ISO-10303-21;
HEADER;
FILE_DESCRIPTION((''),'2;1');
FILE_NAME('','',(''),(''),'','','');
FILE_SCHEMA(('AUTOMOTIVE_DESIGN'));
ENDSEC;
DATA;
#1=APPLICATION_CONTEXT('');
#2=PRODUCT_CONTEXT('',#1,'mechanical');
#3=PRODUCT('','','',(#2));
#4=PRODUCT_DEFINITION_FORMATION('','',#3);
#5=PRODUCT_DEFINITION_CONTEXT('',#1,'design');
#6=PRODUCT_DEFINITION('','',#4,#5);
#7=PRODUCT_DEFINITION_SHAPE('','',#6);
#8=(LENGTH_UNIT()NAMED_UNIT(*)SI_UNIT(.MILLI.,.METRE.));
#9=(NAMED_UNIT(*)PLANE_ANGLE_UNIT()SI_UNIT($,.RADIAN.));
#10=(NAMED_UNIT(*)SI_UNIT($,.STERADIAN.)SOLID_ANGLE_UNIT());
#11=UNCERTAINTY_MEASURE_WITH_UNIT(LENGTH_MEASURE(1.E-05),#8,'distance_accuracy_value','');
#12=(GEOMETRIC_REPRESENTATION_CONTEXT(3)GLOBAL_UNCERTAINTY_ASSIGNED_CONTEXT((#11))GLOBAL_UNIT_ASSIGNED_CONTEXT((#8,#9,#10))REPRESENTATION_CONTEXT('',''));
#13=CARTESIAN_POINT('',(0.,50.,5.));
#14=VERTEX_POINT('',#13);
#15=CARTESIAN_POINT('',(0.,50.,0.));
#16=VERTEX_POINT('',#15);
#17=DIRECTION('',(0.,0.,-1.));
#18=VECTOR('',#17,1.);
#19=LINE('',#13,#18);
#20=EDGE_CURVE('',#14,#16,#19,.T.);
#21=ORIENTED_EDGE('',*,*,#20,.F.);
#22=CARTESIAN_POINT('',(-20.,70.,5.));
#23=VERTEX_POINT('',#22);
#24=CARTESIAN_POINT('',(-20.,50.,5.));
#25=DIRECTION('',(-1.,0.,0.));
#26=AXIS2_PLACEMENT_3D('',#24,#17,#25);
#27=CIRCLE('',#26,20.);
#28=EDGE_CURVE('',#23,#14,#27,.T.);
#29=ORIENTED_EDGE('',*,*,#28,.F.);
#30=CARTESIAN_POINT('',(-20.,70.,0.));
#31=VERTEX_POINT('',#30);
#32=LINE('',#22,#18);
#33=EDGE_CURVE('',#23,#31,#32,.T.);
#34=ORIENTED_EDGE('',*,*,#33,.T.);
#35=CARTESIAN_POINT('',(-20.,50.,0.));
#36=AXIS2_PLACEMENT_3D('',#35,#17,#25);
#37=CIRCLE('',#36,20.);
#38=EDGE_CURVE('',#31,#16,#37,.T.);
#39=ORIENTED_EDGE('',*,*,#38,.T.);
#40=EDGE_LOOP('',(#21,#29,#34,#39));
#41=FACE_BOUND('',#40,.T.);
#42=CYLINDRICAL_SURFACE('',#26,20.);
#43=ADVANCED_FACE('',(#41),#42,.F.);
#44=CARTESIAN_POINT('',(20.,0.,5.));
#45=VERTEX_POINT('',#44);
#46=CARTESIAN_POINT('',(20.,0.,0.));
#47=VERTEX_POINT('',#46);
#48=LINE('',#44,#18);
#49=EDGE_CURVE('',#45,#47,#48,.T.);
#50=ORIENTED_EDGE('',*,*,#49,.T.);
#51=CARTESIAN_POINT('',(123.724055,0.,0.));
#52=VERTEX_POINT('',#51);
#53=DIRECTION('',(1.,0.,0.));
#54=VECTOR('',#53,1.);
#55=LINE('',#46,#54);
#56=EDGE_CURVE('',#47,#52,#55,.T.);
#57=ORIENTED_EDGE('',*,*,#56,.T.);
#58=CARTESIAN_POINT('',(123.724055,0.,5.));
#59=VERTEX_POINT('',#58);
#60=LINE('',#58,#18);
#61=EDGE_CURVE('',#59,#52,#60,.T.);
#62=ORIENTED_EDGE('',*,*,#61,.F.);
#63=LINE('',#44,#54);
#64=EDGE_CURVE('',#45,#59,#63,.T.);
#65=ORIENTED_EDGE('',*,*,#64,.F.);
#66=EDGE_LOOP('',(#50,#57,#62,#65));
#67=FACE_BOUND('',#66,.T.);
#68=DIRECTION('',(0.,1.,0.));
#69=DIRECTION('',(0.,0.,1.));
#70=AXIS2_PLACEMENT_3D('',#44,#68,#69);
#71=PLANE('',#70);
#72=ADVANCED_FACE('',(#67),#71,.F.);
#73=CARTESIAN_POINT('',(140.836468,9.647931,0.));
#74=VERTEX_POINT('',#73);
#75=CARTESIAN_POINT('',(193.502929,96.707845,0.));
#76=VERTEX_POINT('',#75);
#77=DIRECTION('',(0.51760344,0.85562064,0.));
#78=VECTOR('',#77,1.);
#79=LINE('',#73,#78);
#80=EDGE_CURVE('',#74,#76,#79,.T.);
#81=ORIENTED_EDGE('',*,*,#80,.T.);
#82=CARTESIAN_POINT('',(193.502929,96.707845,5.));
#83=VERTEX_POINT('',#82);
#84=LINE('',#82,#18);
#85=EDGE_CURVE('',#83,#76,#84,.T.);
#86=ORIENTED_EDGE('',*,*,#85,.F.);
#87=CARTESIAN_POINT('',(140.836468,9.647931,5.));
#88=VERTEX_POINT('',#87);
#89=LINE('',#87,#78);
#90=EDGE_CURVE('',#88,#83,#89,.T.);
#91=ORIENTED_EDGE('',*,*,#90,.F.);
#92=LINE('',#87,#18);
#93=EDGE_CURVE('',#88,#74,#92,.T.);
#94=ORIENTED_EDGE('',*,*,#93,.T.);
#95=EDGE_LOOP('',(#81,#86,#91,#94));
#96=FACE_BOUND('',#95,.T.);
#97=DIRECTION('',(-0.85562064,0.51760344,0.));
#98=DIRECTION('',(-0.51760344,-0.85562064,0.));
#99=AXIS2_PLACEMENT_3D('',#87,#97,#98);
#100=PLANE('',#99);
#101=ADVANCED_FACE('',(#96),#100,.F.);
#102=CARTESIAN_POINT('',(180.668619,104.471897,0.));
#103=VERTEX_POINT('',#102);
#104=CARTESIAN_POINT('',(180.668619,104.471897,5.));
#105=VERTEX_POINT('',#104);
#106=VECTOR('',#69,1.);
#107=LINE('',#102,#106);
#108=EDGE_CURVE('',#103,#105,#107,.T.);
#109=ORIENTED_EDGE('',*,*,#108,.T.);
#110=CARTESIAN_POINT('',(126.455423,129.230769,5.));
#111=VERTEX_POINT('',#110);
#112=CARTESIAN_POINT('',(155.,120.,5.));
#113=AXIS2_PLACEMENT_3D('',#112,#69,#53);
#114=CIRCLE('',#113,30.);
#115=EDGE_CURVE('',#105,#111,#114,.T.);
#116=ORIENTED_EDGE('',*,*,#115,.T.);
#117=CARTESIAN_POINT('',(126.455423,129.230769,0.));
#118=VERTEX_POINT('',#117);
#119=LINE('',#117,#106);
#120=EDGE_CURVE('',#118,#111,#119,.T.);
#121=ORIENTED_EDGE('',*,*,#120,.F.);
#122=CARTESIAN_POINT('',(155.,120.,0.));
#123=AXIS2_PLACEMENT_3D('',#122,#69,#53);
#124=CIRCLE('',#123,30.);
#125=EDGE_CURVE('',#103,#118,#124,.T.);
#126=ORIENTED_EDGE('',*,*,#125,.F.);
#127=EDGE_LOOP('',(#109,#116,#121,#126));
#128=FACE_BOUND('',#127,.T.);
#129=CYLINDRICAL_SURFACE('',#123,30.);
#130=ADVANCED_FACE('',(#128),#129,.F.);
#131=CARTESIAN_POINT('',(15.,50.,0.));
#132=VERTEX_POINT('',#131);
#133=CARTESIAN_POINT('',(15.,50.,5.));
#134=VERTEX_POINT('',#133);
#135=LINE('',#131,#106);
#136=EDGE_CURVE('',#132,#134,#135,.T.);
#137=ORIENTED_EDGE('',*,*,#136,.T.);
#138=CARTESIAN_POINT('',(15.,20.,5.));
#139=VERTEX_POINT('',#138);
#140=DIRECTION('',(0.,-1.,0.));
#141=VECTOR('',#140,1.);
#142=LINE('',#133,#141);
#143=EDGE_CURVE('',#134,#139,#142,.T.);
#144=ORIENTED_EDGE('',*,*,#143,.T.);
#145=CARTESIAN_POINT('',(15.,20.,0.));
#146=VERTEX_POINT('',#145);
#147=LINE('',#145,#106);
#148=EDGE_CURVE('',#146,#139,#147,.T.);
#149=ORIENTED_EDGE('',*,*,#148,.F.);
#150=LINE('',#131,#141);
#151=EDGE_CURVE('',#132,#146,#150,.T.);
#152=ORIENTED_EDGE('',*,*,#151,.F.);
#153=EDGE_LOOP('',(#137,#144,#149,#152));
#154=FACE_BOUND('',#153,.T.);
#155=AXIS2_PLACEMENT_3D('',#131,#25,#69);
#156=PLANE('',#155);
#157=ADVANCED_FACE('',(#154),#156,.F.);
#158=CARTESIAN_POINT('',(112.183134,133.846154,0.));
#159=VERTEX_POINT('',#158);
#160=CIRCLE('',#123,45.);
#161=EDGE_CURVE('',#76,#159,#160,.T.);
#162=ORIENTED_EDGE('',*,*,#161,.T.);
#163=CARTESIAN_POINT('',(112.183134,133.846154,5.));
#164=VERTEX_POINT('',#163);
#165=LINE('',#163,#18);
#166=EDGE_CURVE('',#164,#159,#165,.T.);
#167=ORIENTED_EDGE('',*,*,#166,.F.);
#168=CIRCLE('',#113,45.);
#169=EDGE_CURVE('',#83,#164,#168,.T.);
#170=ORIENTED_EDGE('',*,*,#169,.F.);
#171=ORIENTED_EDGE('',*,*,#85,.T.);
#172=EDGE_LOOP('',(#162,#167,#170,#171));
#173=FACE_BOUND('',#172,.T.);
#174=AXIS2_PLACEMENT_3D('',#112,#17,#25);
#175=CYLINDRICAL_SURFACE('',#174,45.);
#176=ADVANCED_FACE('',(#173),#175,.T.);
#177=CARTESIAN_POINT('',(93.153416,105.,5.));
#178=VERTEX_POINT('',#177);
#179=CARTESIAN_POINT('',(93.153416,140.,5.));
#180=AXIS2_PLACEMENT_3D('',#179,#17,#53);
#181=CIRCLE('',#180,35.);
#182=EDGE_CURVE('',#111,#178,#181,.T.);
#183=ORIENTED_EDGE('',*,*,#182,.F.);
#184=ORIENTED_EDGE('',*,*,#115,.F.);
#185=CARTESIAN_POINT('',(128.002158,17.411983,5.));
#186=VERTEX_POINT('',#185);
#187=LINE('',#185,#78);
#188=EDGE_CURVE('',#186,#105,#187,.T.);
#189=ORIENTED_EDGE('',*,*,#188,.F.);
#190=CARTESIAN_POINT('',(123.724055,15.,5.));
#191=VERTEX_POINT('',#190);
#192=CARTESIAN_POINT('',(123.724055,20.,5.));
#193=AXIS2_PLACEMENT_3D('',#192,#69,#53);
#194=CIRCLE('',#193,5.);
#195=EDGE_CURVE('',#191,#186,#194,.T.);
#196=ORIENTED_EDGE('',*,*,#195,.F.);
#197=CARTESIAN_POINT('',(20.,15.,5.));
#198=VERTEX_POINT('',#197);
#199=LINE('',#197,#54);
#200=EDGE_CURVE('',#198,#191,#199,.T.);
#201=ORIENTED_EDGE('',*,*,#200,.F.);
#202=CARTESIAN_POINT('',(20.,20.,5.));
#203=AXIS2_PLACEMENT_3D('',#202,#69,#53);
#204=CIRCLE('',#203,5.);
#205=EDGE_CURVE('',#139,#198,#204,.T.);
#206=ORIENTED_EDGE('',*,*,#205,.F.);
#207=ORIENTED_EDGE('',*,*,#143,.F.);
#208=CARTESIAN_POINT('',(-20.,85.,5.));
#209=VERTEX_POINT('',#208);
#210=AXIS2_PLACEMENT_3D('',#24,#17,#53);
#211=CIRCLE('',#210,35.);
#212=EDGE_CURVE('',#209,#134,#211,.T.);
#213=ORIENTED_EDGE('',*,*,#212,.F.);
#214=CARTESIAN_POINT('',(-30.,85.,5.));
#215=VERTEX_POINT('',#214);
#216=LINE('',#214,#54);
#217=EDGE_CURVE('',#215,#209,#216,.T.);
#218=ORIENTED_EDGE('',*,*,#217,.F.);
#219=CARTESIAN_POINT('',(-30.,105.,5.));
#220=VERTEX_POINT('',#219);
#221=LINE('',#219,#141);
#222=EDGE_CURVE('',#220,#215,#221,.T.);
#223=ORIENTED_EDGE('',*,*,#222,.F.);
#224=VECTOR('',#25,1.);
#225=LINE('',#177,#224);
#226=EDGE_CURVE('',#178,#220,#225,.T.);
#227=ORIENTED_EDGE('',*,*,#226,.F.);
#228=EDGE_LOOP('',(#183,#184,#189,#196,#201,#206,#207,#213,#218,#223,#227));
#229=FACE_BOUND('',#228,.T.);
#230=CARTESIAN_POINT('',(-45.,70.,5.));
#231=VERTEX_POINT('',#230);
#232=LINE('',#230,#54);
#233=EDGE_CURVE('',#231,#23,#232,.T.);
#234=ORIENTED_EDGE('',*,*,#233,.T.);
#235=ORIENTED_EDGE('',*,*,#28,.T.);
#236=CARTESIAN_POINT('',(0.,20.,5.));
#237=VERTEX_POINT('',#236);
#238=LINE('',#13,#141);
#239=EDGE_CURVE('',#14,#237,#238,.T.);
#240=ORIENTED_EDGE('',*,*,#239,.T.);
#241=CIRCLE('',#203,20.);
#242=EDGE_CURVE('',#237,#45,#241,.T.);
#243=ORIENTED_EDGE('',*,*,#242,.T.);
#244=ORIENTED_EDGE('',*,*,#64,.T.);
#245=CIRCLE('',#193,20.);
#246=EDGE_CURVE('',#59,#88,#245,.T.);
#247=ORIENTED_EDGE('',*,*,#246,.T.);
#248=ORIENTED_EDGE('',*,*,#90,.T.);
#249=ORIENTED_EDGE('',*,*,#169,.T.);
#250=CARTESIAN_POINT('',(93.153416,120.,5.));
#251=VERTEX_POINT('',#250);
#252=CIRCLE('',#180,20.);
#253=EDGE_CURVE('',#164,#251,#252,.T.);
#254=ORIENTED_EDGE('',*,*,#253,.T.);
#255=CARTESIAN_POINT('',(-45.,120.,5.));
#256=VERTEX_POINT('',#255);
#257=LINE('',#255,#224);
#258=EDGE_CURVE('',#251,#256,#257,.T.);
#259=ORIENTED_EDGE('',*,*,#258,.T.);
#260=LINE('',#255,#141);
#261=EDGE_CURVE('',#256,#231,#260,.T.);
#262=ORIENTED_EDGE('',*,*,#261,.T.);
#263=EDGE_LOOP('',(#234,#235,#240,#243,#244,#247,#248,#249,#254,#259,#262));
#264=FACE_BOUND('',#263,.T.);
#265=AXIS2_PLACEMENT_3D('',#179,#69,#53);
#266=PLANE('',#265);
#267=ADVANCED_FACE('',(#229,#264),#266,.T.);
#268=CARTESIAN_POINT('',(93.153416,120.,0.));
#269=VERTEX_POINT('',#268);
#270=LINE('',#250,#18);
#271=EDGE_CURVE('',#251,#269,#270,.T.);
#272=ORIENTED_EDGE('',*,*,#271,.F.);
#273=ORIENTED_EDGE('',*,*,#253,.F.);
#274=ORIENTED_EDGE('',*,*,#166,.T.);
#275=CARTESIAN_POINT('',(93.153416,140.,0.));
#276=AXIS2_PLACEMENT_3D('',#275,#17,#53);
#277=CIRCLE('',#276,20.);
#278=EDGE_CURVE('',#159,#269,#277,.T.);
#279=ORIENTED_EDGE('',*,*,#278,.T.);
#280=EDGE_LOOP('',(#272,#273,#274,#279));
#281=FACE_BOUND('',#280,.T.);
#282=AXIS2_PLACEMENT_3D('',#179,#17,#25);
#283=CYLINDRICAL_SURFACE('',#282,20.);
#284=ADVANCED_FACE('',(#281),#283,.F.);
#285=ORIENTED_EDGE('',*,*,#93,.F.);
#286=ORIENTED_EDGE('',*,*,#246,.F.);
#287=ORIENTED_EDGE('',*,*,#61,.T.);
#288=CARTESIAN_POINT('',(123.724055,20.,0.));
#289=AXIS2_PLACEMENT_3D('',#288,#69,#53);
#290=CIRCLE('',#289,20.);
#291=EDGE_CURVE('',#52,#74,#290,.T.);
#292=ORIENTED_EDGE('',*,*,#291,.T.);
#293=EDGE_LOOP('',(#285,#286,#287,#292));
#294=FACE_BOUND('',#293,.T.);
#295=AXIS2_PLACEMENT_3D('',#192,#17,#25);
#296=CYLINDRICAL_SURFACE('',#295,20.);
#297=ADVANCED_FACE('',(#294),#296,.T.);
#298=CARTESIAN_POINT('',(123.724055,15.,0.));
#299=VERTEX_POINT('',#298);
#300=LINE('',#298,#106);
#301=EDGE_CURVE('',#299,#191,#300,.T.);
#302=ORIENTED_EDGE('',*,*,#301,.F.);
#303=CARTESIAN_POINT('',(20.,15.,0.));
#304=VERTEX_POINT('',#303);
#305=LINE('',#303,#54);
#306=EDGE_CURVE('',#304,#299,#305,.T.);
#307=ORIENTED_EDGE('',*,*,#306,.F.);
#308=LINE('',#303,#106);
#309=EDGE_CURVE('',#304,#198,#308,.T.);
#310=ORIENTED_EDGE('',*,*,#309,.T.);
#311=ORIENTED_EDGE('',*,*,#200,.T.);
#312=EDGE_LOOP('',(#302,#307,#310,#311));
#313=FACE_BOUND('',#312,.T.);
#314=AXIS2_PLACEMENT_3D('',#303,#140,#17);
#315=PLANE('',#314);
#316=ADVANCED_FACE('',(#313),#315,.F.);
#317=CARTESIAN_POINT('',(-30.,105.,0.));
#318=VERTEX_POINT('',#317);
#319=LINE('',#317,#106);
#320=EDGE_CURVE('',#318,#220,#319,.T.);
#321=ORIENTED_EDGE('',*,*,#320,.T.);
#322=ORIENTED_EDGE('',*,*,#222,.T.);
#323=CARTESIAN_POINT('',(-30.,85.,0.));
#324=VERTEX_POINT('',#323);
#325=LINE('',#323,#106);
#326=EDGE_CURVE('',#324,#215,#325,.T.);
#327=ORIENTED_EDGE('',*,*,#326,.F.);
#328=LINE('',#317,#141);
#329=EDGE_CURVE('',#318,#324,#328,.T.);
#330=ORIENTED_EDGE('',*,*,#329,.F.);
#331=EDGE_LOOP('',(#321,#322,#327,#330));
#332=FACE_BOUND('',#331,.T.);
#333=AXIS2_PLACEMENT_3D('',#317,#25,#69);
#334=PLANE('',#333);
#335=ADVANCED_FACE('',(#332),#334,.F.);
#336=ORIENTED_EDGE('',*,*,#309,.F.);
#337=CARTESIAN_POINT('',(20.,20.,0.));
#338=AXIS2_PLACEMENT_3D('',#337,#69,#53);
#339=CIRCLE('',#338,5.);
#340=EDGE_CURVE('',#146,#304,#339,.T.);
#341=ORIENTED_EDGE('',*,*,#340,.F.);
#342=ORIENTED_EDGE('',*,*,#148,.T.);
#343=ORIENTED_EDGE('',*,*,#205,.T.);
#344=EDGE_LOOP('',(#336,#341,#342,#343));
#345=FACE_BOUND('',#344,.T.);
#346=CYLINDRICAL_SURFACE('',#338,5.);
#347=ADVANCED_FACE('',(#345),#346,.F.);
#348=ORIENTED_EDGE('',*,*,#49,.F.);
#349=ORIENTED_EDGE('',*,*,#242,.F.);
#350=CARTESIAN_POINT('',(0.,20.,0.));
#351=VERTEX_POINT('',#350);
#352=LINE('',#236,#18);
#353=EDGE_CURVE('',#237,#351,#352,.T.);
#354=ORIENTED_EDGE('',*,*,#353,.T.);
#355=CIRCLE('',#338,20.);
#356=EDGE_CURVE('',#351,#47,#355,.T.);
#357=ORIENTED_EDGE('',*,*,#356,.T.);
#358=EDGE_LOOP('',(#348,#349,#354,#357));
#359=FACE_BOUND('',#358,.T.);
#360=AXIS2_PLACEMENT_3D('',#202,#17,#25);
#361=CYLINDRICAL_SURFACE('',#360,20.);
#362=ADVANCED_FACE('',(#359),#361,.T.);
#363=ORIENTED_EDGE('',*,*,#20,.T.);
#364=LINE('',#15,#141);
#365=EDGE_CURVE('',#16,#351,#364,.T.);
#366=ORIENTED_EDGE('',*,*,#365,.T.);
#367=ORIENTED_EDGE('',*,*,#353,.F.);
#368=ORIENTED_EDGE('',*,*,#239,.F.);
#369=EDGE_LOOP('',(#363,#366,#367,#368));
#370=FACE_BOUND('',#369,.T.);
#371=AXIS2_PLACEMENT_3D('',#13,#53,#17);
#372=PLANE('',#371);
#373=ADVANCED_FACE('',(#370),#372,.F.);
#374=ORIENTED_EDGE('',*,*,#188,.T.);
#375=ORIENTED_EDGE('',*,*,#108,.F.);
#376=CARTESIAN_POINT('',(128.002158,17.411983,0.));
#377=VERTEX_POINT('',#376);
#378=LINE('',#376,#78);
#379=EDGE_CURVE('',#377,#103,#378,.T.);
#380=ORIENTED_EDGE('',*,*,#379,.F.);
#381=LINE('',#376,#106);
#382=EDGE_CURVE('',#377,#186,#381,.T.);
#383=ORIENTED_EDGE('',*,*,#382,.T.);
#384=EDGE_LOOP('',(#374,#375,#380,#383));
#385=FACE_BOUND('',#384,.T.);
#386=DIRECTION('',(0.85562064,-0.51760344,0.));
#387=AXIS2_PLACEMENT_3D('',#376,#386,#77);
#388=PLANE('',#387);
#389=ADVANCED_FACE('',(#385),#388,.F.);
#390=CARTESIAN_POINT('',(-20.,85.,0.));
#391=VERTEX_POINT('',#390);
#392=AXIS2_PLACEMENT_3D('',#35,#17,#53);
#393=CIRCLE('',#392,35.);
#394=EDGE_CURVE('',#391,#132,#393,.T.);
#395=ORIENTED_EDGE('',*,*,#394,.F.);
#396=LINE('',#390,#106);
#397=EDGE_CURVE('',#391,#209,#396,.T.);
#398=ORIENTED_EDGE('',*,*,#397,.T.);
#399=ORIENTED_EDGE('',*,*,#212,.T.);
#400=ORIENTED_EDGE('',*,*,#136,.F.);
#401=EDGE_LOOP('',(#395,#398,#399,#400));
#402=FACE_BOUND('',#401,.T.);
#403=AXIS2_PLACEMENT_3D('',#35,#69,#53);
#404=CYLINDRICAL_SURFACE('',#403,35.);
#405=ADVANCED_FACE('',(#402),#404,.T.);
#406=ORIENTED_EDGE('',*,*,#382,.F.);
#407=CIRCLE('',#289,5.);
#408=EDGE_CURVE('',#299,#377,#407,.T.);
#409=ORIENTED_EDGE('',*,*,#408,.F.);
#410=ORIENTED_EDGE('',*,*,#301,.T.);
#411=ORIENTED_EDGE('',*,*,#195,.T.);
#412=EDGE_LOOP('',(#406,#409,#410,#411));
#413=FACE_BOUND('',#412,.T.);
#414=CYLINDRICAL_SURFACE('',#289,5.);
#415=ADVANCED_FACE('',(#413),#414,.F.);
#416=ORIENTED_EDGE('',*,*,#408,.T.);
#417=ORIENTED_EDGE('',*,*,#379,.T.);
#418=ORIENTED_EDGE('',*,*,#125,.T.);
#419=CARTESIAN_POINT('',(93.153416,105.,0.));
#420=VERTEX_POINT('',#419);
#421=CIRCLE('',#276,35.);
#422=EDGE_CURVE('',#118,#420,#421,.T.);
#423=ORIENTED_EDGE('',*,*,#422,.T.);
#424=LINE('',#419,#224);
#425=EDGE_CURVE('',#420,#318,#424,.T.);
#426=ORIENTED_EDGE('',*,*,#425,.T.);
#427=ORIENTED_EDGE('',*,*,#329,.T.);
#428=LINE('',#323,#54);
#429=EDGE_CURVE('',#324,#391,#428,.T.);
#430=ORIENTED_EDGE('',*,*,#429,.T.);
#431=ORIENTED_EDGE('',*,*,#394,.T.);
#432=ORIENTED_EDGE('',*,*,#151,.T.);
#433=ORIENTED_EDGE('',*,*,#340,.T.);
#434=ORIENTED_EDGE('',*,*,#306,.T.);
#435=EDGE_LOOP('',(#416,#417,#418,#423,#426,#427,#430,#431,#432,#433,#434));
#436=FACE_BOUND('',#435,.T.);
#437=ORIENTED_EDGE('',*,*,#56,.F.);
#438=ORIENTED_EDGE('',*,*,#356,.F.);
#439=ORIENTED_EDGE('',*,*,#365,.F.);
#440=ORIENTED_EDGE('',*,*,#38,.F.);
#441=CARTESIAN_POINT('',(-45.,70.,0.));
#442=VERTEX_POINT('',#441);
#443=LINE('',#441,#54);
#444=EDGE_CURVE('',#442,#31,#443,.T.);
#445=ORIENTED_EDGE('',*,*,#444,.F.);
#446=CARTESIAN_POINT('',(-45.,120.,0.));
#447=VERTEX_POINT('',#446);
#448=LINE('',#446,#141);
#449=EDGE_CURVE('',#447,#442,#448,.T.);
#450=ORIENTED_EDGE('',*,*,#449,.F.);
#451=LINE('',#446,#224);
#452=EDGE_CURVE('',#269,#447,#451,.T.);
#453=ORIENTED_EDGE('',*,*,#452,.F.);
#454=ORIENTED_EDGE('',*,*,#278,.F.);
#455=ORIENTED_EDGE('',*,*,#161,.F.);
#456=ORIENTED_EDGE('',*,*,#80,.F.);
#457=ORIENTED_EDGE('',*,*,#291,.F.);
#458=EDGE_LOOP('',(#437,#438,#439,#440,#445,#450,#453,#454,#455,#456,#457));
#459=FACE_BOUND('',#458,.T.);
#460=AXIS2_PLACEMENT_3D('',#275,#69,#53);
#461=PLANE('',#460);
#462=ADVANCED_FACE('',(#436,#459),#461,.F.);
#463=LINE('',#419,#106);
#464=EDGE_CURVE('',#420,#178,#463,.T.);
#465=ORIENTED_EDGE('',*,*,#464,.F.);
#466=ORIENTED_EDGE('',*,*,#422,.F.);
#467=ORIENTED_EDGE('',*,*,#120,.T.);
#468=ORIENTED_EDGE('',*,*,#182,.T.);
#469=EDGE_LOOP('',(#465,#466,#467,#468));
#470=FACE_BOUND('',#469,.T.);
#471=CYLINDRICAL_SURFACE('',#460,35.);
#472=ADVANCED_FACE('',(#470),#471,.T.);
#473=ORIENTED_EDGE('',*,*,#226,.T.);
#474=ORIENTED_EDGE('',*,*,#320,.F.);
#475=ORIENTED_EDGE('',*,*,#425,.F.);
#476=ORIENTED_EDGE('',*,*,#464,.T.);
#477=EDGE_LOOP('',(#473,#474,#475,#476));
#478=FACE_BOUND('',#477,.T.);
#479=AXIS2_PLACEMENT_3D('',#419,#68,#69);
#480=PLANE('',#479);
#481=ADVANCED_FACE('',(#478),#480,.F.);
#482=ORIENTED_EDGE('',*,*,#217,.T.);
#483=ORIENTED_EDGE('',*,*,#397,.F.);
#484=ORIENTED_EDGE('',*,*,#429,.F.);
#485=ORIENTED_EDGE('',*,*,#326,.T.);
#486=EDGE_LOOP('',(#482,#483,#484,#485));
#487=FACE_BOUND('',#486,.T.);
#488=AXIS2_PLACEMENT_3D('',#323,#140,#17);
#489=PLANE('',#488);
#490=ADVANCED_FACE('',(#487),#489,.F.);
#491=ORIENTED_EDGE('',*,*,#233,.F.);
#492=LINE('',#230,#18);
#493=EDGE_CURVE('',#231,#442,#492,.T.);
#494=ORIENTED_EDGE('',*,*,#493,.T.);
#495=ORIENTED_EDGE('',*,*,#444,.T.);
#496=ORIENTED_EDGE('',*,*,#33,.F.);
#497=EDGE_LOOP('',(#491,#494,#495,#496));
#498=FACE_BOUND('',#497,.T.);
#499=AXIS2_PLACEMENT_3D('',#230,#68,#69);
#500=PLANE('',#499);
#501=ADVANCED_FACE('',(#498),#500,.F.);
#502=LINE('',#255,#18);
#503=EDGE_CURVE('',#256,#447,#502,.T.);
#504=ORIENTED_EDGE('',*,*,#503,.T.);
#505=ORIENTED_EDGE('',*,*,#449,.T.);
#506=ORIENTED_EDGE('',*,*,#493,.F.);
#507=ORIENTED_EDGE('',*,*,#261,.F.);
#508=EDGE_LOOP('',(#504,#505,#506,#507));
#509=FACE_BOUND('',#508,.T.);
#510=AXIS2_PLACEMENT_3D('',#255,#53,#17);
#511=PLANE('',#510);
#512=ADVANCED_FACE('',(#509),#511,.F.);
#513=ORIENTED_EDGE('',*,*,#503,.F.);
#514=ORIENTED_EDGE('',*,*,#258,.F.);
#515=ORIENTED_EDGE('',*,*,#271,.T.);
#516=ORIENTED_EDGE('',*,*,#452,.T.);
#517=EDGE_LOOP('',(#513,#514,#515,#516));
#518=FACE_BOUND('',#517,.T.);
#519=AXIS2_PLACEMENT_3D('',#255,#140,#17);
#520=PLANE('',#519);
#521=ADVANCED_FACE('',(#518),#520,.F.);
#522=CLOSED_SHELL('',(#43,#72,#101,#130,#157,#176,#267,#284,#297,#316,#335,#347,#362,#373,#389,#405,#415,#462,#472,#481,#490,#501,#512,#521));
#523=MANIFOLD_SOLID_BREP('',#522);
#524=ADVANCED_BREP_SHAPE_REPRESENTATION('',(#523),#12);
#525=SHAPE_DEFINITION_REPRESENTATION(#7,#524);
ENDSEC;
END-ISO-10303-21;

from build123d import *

# Parameters (mm, degrees)
BASE_DEPTH         = 5
CUT_EXTRUDE1_DEPTH = 260.326049598


with BuildPart() as part:
    # Sketch1 → base (new body)
    with BuildSketch(Plane.XY):
        with BuildLine():
            Line((-45, 120), (-45, 70))
            Line((-45, 70), (-20, 70))
            ThreePointArc((-20, 70), (-5.857864376, 64.142135624), (0, 50))
            Line((0, 50), (0, 20))
            ThreePointArc((0, 20), (5.857864376, 5.857864376), (20, 0))
            Line((20, 0), (123.724055084, 0))
            ThreePointArc((123.724055084, 0), (133.546443389, 2.578154863), (140.836467877, 9.647931201))
            Line((140.836467877, 9.647931201), (193.502928783, 96.707845203))
            ThreePointArc((193.502928783, 96.707845203), (173.694009897, 160.933287114), (112.183133888, 133.846153846))
            ThreePointArc((112.183133888, 133.846153846), (104.920383724, 123.827849199), (93.153415616, 120))
            Line((93.153415616, 120), (-45, 120))
        make_face()
    extrude(amount=BASE_DEPTH)

    # Sketch2 → Cut-Extrude1 (cut, through all)
    with BuildSketch(Plane.XY.offset(5)):
        with BuildLine():
            Line((93.153415616, 105), (-30, 105))
            Line((-30, 105), (-30, 85))
            Line((-30, 85), (-20, 85))
            ThreePointArc((-20, 85), (4.748737342, 74.748737342), (15, 50))
            Line((15, 50), (15, 20))
            ThreePointArc((15, 20), (16.464466094, 16.464466094), (20, 15))
            Line((20, 15), (123.724055084, 15))
            ThreePointArc((123.724055084, 15), (126.179652161, 15.644538716), (128.002158282, 17.4119828))
            Line((128.002158282, 17.4119828), (180.668619189, 104.471896802))
            ThreePointArc((180.668619189, 104.471896802), (167.462673265, 147.288858076), (126.455422592, 129.230769231))
            ThreePointArc((126.455422592, 129.230769231), (113.745609805, 111.698736098), (93.153415616, 105))
        make_face()
    extrude(amount=-CUT_EXTRUDE1_DEPTH, mode=Mode.SUBTRACT)


solid = part.part
